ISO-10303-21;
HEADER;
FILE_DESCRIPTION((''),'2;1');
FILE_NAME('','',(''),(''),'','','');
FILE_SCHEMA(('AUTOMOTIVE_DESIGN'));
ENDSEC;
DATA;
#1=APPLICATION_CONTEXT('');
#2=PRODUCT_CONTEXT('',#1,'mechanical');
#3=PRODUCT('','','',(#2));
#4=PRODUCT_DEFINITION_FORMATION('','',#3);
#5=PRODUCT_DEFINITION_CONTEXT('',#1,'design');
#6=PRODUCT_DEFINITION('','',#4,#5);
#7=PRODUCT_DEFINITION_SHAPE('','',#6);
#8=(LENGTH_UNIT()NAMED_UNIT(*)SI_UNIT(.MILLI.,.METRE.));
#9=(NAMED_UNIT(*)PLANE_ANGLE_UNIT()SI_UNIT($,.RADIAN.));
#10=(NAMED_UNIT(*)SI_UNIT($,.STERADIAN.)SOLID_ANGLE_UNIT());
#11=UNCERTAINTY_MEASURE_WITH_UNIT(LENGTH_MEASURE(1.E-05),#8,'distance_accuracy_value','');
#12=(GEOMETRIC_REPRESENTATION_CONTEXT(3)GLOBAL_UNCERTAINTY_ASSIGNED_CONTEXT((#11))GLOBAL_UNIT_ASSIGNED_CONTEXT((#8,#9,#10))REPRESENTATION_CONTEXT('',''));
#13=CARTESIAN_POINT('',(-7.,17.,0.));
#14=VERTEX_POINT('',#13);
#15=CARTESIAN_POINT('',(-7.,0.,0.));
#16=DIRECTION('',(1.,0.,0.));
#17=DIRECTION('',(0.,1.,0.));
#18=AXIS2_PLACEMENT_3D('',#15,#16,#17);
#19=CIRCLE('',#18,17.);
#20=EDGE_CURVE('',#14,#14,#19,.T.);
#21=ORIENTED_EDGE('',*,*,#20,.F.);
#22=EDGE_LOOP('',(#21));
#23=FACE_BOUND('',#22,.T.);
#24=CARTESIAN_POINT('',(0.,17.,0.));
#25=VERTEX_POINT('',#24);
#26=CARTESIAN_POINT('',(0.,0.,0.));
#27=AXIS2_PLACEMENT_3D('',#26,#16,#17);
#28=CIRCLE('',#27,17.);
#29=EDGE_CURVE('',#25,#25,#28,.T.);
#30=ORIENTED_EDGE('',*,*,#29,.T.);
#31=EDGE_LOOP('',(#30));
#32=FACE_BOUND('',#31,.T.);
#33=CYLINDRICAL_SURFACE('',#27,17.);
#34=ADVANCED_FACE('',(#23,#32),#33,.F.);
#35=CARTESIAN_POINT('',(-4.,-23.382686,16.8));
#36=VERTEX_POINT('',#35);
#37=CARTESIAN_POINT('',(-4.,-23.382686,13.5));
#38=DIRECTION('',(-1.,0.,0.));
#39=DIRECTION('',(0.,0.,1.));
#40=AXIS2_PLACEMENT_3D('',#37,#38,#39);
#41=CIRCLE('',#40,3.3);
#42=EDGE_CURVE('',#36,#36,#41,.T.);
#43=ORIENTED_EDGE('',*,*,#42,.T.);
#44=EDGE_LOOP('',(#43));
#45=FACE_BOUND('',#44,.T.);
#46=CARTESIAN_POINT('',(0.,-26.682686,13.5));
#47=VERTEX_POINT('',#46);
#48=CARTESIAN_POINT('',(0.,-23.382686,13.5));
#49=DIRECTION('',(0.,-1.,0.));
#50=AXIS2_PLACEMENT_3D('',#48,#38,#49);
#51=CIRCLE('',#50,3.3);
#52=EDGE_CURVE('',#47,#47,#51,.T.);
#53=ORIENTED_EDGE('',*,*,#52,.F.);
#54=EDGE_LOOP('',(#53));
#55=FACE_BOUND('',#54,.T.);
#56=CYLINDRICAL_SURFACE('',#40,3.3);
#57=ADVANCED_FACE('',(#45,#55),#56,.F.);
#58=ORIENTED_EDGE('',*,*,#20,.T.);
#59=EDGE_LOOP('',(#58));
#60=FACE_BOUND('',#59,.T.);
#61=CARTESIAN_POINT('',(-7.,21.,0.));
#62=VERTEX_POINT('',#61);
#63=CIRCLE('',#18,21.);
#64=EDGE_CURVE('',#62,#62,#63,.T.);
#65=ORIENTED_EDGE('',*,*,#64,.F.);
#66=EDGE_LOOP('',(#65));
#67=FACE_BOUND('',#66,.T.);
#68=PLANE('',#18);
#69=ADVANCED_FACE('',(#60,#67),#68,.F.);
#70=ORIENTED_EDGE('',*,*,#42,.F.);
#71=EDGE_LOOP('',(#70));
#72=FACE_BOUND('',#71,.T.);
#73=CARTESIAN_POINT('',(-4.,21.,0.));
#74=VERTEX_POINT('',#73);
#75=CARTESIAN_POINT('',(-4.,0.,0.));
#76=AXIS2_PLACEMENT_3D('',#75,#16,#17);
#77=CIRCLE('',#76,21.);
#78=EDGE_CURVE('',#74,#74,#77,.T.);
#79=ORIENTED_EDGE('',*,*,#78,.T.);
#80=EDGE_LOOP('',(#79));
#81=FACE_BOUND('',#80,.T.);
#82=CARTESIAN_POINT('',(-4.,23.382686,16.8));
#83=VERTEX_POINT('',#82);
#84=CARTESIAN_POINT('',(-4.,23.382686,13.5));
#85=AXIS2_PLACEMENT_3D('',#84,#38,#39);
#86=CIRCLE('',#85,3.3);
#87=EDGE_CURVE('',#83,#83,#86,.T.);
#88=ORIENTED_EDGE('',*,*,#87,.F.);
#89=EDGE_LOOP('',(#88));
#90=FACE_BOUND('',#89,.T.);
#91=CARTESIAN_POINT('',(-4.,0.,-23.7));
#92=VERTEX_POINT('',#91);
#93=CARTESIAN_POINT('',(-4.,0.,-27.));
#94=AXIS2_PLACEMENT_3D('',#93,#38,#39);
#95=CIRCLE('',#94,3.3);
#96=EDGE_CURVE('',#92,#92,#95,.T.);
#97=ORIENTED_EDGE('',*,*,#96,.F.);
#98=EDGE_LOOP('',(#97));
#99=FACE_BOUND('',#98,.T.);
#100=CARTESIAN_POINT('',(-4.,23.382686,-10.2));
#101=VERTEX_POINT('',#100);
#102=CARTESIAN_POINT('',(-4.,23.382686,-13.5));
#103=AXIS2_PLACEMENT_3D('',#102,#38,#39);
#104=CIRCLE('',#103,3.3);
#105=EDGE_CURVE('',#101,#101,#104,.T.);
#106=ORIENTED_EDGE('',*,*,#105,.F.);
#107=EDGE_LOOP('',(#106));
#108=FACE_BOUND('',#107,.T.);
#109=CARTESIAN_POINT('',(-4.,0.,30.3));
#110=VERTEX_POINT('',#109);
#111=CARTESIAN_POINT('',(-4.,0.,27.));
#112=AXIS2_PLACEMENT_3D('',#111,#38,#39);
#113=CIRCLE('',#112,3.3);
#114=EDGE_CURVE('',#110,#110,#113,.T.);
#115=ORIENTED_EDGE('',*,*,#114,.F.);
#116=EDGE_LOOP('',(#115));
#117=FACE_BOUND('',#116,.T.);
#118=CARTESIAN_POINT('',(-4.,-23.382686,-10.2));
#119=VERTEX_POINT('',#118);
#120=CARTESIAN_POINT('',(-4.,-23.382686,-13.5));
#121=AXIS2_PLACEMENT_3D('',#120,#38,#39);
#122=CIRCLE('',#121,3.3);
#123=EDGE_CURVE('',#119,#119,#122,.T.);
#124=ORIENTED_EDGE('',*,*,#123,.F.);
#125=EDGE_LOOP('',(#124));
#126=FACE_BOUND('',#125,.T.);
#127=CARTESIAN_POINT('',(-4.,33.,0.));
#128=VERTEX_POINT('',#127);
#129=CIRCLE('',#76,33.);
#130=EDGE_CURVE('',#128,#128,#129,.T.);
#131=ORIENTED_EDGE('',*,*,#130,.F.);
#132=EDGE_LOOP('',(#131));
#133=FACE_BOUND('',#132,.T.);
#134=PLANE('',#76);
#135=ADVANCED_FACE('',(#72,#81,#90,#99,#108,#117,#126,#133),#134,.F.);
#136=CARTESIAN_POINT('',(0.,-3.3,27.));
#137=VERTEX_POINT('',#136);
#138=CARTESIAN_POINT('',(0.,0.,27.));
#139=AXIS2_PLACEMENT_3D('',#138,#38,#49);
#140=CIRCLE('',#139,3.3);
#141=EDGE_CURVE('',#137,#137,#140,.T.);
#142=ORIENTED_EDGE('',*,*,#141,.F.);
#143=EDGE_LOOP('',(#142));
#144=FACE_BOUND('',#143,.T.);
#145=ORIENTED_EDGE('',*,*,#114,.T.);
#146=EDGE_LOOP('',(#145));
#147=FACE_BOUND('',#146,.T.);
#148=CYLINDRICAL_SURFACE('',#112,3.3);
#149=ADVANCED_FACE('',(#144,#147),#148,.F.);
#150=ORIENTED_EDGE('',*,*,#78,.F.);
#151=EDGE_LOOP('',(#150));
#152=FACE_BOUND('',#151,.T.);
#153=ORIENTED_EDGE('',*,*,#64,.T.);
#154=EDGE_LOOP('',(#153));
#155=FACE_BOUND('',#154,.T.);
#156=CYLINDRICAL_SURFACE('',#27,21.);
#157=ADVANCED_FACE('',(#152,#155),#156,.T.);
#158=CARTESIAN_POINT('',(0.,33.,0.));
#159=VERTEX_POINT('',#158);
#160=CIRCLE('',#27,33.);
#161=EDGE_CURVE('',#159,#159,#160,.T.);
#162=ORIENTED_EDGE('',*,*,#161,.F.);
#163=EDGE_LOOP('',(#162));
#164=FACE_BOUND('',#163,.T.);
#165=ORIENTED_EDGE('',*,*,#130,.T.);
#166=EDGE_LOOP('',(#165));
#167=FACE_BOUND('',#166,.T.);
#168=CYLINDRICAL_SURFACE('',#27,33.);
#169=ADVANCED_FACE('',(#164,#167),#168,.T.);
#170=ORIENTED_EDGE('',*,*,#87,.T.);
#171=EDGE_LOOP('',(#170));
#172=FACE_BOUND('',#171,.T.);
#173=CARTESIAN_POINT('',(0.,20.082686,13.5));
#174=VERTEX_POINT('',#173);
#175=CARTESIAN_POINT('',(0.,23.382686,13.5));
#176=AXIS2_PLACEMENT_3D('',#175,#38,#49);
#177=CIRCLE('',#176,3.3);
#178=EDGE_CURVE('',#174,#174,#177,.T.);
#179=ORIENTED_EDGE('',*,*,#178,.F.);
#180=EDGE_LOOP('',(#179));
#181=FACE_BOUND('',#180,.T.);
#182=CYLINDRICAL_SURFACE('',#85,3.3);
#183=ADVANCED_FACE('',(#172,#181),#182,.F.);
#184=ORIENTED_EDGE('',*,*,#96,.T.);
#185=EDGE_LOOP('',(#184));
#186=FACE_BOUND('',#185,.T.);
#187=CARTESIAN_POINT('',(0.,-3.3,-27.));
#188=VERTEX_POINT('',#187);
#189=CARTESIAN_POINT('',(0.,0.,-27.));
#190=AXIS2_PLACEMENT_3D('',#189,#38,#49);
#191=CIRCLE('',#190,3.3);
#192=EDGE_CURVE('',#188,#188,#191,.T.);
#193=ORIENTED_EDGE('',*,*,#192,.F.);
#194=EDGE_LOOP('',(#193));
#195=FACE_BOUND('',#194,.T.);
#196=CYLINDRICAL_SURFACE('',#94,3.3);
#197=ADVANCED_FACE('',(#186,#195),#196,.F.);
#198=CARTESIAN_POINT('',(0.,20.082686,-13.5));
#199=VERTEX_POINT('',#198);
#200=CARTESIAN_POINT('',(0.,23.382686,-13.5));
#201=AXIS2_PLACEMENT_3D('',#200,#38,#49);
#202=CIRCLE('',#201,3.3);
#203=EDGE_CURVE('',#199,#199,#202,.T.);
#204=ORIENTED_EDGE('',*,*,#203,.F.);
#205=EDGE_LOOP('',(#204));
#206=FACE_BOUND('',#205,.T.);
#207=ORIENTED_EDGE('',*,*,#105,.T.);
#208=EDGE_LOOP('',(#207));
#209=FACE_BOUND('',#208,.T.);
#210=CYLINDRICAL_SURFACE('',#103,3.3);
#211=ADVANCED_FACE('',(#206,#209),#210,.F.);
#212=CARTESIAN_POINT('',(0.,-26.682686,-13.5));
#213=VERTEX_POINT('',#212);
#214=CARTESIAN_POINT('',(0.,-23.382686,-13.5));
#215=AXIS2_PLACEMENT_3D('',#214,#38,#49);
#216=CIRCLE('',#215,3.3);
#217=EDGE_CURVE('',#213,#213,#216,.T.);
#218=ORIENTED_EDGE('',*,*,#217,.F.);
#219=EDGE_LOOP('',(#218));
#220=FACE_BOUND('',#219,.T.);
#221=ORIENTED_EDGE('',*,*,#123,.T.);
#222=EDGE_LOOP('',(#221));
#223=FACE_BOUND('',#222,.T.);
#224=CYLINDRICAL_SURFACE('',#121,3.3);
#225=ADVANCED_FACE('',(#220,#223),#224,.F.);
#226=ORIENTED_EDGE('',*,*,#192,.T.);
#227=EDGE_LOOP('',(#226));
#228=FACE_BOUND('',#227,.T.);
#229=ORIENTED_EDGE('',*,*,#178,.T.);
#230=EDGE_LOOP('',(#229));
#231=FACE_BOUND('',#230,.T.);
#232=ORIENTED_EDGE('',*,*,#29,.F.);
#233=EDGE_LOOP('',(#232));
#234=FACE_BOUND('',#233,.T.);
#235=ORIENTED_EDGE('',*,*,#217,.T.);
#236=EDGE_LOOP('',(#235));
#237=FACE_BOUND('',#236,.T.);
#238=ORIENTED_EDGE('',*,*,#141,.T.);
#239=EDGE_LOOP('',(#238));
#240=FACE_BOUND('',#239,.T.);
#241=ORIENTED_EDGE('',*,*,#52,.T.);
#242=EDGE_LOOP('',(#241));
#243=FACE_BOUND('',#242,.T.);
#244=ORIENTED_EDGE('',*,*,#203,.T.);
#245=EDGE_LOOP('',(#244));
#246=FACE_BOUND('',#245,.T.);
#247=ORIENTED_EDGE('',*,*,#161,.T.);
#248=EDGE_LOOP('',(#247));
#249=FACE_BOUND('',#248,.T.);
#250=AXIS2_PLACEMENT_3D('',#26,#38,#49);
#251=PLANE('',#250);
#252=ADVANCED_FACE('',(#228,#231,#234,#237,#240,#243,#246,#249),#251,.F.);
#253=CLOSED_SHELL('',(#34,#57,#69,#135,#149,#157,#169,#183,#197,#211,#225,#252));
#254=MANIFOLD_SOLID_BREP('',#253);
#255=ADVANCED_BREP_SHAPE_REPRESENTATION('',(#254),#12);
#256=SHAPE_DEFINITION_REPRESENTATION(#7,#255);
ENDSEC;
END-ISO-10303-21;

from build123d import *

# Parameters (mm, degrees)
M6_CLEARANCE_HOLE1_D     = 6.6
M6_CLEARANCE_HOLE1_DEPTH = 4
CIRPATTERN1_COUNT        = 6


with BuildPart() as part:
    # Sketch2 → Revolve1 (revolve)
    with BuildSketch(Plane.XY):
        Polygon((-7, 21), (-7, 17), (0, 17), (0, 33), (-4, 33), (-4, 21), align=None)
    revolve(axis=Axis((0, 0, 0), (-1, 0, 0)))

    # M6 Clearance Hole1
    with Locations(Plane(origin=(-4, 0, -27), x_dir=(0, -1, 0), z_dir=(-1, 0, 0))):
        with Locations((0, 0)):
            m6_clearance_hole1 = Hole(M6_CLEARANCE_HOLE1_D / 2, depth=M6_CLEARANCE_HOLE1_DEPTH)

    # CirPattern1: M6 Clearance Hole1 ×6 about axis
    cirpattern1_axis = Axis((0, 0, 0), (1, 0, 0))
    for i in range(1, CIRPATTERN1_COUNT):
        add(m6_clearance_hole1.rotate(cirpattern1_axis, i * 360 / CIRPATTERN1_COUNT), mode=Mode.SUBTRACT)


solid = part.part
